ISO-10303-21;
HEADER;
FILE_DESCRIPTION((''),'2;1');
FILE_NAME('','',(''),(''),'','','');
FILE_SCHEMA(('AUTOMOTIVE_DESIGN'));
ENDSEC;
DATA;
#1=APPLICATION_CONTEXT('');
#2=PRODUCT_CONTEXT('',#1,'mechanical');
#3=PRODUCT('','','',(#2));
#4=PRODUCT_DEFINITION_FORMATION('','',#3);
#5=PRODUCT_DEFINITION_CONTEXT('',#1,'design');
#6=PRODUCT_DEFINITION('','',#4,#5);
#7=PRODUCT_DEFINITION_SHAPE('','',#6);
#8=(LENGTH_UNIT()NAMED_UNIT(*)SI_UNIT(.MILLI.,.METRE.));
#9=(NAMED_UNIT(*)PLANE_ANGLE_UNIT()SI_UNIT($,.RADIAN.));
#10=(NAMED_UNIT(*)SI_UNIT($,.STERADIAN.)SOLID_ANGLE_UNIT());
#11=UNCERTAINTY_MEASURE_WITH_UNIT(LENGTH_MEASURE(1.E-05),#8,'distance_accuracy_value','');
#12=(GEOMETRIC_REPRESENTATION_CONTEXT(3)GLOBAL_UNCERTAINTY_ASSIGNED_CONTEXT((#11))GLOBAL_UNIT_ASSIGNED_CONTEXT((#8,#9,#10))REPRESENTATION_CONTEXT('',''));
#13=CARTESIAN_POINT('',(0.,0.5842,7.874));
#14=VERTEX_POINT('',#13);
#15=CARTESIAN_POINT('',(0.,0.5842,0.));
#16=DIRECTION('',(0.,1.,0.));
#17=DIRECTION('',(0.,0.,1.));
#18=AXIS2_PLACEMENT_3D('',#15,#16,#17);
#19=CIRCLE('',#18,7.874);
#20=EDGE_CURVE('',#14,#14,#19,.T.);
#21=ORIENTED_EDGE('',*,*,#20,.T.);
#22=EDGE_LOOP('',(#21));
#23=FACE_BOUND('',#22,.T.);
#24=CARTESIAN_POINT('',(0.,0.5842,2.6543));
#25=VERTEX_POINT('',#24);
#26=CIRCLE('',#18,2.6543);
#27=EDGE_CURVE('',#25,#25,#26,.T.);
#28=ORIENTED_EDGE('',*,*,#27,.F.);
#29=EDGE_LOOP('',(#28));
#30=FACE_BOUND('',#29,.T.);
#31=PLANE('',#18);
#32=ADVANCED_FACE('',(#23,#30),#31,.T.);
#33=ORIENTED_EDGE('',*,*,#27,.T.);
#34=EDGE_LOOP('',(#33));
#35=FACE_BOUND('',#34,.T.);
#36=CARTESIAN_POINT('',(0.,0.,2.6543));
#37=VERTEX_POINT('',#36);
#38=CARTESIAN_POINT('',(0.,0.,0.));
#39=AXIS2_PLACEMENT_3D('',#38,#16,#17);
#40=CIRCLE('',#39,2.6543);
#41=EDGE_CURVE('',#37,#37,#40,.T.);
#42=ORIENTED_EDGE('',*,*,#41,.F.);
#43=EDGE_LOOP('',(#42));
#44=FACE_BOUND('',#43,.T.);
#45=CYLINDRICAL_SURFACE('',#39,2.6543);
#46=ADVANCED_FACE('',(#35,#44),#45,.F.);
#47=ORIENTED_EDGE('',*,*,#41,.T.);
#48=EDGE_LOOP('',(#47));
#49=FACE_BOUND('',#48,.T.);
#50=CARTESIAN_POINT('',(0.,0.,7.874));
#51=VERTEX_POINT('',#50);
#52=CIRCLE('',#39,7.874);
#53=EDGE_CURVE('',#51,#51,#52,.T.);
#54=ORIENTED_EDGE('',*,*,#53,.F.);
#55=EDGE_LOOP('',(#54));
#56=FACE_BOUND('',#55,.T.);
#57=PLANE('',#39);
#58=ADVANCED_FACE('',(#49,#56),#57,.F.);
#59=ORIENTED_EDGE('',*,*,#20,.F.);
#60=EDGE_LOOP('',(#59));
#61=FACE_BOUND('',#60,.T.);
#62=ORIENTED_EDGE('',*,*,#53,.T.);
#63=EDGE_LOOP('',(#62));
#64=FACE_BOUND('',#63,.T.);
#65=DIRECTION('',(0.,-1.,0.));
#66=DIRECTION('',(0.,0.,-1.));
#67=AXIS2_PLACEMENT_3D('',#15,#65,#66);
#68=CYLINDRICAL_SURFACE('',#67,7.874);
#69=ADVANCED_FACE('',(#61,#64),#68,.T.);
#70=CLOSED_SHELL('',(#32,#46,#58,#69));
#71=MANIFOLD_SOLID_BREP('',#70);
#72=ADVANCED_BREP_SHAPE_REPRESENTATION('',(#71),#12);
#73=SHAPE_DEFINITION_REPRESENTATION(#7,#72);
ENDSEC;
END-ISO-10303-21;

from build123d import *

# Parameters (mm, degrees)
SKETCH1_R           = 7.874
BOSS_EXTRUDE1_DEPTH = 0.5842
SKETCH5_R           = 2.6543
CUT_EXTRUDE1_DEPTH  = 1.5842


with BuildPart() as part:
    # Sketch1 → Boss-Extrude1 (new body)
    with BuildSketch(Plane(origin=(0, 0, 0), x_dir=(1, 0, 0), z_dir=(0, 1, 0))):
        Circle(SKETCH1_R)
    extrude(amount=BOSS_EXTRUDE1_DEPTH)

    # Sketch5 → Cut-Extrude1 (cut, through all)
    with BuildSketch(Plane(origin=(0, 0.5842, 0), x_dir=(-1, 0, 0), z_dir=(0, 1, 0))):
        Circle(SKETCH5_R)
    extrude(amount=-CUT_EXTRUDE1_DEPTH, mode=Mode.SUBTRACT)


solid = part.part
